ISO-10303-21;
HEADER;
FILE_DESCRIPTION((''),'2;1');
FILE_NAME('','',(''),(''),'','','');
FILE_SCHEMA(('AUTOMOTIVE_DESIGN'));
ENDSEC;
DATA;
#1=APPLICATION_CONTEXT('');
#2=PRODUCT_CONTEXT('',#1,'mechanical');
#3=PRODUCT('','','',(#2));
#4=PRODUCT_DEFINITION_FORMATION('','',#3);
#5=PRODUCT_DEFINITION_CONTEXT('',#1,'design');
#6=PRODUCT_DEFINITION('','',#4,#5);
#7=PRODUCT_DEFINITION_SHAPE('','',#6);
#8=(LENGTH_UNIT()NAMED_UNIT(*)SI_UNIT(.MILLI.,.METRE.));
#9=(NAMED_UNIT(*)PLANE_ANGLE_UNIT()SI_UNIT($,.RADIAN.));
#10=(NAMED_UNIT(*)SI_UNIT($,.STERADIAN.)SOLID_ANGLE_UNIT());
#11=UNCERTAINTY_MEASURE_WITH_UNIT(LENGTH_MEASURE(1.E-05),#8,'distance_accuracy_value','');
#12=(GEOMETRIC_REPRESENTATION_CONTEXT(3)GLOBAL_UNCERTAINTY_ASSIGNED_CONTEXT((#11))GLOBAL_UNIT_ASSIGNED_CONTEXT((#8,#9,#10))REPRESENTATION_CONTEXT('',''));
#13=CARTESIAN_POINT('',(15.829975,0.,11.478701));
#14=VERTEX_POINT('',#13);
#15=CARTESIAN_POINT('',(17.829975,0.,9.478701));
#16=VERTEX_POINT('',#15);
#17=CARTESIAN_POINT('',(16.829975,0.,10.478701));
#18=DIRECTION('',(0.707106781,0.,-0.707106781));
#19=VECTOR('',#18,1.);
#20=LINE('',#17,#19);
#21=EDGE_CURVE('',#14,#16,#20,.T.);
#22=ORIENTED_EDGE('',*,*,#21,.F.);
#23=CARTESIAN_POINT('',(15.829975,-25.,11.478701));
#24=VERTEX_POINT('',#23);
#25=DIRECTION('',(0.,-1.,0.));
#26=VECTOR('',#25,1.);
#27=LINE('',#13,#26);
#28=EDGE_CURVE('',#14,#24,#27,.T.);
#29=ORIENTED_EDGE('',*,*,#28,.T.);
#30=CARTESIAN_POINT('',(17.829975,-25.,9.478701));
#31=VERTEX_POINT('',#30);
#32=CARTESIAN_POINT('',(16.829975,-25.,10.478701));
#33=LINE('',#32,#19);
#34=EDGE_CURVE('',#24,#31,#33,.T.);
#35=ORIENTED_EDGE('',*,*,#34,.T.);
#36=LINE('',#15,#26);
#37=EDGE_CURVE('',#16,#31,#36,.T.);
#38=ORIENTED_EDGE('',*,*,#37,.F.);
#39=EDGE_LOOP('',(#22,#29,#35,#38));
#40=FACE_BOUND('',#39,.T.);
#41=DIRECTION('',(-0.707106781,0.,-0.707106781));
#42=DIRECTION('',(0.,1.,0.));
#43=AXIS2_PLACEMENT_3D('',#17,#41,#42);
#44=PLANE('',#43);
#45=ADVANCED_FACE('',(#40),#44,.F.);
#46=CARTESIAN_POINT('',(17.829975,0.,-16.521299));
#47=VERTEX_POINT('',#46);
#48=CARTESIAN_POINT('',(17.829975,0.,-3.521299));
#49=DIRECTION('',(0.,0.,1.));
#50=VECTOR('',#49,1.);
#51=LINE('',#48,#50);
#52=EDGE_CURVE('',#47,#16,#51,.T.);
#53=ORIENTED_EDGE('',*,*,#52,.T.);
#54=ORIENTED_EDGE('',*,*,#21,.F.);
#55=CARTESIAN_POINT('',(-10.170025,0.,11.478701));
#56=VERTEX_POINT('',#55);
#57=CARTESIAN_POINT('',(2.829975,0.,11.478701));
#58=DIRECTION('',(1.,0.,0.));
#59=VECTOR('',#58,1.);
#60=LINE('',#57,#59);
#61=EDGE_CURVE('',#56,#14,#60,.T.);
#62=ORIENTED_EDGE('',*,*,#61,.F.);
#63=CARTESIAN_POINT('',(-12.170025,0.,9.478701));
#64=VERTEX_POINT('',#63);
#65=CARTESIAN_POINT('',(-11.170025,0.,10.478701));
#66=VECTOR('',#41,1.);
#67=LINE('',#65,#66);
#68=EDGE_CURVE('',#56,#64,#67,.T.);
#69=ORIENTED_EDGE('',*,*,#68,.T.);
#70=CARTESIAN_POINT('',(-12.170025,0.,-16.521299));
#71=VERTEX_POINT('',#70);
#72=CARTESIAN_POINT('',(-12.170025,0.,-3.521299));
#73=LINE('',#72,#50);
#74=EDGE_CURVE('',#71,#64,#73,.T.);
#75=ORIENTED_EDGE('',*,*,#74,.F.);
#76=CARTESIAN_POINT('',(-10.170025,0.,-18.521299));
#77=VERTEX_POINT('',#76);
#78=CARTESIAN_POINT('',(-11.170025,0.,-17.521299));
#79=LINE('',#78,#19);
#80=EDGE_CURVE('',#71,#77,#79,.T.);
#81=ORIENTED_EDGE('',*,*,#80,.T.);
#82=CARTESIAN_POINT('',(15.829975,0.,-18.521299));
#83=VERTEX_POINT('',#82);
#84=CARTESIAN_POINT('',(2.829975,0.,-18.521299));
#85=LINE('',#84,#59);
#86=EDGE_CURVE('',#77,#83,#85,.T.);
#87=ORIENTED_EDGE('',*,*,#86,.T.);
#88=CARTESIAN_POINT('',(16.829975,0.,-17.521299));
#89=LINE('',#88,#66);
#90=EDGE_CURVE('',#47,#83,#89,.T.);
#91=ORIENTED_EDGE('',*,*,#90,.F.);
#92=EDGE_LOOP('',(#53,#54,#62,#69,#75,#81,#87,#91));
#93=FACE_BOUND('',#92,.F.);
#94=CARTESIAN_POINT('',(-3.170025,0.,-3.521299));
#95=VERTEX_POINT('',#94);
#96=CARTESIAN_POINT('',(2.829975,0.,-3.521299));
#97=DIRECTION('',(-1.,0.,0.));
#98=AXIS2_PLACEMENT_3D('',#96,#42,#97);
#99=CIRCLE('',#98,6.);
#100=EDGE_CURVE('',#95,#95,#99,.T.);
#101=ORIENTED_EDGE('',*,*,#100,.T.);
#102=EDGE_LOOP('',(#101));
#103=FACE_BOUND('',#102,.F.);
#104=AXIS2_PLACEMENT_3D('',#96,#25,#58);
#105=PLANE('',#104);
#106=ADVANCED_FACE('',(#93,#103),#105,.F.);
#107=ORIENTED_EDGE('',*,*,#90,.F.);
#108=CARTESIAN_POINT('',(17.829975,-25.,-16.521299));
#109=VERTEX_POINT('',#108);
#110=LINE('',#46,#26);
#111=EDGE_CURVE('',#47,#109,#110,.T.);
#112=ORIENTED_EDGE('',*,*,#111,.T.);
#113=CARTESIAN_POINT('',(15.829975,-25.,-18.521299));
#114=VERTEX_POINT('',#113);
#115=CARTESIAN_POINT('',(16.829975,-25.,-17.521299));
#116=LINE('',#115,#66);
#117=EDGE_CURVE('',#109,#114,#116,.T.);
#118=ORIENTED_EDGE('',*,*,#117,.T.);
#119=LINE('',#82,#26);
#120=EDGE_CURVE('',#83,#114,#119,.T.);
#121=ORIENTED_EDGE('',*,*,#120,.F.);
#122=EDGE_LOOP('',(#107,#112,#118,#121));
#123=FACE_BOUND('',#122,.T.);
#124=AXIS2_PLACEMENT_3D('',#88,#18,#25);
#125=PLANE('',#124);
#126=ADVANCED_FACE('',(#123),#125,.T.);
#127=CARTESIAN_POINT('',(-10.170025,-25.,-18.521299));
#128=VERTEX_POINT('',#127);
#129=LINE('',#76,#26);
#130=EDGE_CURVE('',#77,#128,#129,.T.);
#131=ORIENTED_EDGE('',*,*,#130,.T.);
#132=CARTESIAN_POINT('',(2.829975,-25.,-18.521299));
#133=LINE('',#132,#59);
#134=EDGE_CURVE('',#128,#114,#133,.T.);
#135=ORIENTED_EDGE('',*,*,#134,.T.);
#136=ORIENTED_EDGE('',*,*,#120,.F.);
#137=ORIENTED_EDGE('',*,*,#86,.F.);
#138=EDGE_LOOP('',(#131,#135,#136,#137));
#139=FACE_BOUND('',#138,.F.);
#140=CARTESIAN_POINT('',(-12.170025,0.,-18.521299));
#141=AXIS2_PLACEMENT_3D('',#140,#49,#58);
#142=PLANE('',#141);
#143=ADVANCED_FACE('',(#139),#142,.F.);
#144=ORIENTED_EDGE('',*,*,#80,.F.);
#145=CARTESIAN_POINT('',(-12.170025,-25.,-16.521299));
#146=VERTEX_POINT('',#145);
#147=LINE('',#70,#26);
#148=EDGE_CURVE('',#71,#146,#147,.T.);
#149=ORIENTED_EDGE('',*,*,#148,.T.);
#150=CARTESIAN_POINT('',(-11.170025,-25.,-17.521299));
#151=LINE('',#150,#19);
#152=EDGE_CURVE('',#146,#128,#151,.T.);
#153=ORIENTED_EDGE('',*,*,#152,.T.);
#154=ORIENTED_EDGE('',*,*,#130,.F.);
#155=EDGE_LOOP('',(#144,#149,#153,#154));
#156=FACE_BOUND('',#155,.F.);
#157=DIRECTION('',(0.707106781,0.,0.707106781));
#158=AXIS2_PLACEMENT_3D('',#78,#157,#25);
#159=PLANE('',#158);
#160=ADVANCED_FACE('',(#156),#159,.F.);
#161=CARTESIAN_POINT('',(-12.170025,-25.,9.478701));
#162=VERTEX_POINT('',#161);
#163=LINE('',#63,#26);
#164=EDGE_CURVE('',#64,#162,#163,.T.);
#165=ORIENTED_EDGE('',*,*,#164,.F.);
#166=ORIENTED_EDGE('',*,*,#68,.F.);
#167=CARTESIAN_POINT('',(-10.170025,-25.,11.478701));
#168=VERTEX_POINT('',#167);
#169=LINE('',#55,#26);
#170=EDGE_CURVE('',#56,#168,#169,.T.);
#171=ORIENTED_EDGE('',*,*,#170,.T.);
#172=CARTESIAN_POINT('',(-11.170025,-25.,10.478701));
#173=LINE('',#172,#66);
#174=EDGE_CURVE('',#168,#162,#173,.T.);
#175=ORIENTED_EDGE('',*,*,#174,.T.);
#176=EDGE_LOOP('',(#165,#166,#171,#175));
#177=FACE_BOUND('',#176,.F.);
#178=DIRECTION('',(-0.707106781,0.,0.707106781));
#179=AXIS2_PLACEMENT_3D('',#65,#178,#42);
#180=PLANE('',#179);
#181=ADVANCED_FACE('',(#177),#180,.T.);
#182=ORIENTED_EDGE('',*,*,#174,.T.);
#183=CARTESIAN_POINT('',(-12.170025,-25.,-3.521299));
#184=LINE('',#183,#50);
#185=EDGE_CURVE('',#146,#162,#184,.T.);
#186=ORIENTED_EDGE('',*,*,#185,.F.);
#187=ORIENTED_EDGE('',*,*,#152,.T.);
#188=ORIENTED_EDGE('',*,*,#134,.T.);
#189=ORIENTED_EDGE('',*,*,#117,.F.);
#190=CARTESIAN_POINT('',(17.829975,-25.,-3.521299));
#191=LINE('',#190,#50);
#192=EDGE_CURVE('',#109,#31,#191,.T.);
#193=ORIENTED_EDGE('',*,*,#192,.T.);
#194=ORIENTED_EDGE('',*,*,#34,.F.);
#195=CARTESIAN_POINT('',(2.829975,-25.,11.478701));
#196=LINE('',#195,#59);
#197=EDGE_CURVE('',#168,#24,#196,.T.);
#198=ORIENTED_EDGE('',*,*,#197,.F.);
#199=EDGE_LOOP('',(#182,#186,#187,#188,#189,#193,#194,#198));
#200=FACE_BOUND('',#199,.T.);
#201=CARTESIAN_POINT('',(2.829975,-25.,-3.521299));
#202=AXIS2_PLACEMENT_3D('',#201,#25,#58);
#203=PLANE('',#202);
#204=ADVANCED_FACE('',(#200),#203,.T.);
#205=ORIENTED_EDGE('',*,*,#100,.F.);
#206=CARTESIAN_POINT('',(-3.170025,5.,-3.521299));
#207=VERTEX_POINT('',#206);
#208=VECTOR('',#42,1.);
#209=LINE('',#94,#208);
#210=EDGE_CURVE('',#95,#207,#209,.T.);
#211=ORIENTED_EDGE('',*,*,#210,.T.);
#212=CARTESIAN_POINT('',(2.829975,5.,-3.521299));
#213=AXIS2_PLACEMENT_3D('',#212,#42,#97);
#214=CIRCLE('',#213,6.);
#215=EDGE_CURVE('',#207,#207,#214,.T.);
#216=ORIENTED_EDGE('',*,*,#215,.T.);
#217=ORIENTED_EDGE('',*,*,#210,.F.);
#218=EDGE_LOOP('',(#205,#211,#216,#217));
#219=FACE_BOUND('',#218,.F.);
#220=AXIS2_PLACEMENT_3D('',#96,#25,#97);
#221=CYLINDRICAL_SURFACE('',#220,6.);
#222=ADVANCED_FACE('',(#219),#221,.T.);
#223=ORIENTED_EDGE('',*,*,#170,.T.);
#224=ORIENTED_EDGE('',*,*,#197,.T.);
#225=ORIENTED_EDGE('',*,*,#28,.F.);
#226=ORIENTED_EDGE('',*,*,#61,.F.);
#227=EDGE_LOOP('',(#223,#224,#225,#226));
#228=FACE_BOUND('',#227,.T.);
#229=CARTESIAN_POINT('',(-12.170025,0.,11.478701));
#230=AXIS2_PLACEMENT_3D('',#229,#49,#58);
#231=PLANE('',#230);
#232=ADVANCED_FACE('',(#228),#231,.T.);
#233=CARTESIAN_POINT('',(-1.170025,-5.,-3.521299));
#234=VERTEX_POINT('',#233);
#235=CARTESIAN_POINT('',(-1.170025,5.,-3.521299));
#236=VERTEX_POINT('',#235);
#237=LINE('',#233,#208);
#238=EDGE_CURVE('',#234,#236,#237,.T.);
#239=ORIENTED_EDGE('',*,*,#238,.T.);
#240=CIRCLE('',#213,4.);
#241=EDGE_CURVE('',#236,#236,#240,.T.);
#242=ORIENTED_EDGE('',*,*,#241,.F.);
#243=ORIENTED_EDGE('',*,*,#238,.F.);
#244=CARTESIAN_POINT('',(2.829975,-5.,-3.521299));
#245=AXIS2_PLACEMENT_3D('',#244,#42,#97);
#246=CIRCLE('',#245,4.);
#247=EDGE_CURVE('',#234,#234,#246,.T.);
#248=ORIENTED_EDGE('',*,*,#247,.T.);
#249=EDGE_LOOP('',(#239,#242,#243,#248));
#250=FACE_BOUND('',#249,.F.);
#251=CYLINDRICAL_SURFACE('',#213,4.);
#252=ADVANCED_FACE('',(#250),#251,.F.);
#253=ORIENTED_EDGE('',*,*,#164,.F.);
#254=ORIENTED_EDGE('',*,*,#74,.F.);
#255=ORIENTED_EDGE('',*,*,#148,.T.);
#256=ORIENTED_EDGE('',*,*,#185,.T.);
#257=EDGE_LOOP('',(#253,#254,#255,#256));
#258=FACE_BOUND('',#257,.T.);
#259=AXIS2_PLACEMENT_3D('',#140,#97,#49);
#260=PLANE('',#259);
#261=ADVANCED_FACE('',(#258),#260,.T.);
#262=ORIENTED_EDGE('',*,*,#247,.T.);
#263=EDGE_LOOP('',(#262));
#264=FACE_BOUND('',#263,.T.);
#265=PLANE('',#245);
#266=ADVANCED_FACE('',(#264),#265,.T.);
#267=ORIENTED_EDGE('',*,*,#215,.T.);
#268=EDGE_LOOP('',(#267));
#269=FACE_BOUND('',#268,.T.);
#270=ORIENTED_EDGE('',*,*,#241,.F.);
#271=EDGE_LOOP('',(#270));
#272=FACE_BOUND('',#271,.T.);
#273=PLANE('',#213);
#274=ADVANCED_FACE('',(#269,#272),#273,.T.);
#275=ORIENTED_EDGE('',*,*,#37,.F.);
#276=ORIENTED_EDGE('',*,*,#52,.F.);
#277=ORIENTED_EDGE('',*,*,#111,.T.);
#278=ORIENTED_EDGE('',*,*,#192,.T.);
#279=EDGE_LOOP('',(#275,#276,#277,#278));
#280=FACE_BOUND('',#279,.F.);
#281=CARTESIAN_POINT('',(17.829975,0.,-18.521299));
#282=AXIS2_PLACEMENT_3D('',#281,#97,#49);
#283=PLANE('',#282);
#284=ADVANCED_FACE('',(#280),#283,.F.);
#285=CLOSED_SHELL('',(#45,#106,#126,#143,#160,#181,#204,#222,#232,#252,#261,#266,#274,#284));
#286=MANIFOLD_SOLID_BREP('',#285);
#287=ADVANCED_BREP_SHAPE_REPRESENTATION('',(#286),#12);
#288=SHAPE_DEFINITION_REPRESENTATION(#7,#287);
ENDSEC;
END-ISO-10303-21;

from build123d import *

# Parameters (mm, degrees)
F0_W      = 30
F0_H      = 30
F1_DEPTH  = 25
F3_R      = 6
F4_DEPTH  = 5
F5_SIZE   = 2
F6_SIZE   = 2
F7_SIZE   = 2
F2_R      = 4
F8_DEPTH  = 5
F9_R      = 4
F10_DEPTH = 5


with BuildPart() as f1:
    # F0 (on Front) → F1 (new body)
    with BuildSketch(Plane.XZ):
        with Locations((2.829975, -3.521299)):
            Rectangle(F0_W, F0_H)
    extrude(amount=F1_DEPTH)

    # F3 (on face) → F4 (join)
    with BuildSketch(Plane(origin=(0, 0, 0), x_dir=(-1, 0, 0), z_dir=(0, 1, 0))):
        with Locations((-2.829975, -3.521299)):
            Circle(F3_R)
    extrude(amount=F4_DEPTH)

    # F5
    f5_edges = [f1.edges().sort_by_distance(p)[0] for p in [
        (17.829975, -12.5, 11.478701),
    ]]
    chamfer(f5_edges, length=F5_SIZE)

    # F6
    f6_edges = [f1.edges().sort_by_distance(p)[0] for p in [
        (-12.170025, -12.5, 11.478701),
    ]]
    chamfer(f6_edges, length=F6_SIZE)

    # F7
    f7_edges = [f1.edges().sort_by_distance(p)[0] for p in [
        (-12.170025, -12.5, -18.521299),
        (17.829975, -12.5, -18.521299),
    ]]
    chamfer(f7_edges, length=F7_SIZE)

    # F2 (on face) → F8 (cut)
    with BuildSketch(Plane(origin=(0, 0, 0), x_dir=(-1, 0, 0), z_dir=(0, 1, 0))):
        with Locations((-2.829975, -3.521299)):
            Circle(F2_R)
    extrude(amount=-F8_DEPTH, mode=Mode.SUBTRACT)

    # F9 (on face) → F10 (cut)
    with BuildSketch(Plane(origin=(0, 5, 0), x_dir=(-1, 0, 0), z_dir=(0, 1, 0))):
        with Locations((-2.829975, -3.521299)):
            Circle(F9_R)
    extrude(amount=-F10_DEPTH, mode=Mode.SUBTRACT)


solid = f1.part
